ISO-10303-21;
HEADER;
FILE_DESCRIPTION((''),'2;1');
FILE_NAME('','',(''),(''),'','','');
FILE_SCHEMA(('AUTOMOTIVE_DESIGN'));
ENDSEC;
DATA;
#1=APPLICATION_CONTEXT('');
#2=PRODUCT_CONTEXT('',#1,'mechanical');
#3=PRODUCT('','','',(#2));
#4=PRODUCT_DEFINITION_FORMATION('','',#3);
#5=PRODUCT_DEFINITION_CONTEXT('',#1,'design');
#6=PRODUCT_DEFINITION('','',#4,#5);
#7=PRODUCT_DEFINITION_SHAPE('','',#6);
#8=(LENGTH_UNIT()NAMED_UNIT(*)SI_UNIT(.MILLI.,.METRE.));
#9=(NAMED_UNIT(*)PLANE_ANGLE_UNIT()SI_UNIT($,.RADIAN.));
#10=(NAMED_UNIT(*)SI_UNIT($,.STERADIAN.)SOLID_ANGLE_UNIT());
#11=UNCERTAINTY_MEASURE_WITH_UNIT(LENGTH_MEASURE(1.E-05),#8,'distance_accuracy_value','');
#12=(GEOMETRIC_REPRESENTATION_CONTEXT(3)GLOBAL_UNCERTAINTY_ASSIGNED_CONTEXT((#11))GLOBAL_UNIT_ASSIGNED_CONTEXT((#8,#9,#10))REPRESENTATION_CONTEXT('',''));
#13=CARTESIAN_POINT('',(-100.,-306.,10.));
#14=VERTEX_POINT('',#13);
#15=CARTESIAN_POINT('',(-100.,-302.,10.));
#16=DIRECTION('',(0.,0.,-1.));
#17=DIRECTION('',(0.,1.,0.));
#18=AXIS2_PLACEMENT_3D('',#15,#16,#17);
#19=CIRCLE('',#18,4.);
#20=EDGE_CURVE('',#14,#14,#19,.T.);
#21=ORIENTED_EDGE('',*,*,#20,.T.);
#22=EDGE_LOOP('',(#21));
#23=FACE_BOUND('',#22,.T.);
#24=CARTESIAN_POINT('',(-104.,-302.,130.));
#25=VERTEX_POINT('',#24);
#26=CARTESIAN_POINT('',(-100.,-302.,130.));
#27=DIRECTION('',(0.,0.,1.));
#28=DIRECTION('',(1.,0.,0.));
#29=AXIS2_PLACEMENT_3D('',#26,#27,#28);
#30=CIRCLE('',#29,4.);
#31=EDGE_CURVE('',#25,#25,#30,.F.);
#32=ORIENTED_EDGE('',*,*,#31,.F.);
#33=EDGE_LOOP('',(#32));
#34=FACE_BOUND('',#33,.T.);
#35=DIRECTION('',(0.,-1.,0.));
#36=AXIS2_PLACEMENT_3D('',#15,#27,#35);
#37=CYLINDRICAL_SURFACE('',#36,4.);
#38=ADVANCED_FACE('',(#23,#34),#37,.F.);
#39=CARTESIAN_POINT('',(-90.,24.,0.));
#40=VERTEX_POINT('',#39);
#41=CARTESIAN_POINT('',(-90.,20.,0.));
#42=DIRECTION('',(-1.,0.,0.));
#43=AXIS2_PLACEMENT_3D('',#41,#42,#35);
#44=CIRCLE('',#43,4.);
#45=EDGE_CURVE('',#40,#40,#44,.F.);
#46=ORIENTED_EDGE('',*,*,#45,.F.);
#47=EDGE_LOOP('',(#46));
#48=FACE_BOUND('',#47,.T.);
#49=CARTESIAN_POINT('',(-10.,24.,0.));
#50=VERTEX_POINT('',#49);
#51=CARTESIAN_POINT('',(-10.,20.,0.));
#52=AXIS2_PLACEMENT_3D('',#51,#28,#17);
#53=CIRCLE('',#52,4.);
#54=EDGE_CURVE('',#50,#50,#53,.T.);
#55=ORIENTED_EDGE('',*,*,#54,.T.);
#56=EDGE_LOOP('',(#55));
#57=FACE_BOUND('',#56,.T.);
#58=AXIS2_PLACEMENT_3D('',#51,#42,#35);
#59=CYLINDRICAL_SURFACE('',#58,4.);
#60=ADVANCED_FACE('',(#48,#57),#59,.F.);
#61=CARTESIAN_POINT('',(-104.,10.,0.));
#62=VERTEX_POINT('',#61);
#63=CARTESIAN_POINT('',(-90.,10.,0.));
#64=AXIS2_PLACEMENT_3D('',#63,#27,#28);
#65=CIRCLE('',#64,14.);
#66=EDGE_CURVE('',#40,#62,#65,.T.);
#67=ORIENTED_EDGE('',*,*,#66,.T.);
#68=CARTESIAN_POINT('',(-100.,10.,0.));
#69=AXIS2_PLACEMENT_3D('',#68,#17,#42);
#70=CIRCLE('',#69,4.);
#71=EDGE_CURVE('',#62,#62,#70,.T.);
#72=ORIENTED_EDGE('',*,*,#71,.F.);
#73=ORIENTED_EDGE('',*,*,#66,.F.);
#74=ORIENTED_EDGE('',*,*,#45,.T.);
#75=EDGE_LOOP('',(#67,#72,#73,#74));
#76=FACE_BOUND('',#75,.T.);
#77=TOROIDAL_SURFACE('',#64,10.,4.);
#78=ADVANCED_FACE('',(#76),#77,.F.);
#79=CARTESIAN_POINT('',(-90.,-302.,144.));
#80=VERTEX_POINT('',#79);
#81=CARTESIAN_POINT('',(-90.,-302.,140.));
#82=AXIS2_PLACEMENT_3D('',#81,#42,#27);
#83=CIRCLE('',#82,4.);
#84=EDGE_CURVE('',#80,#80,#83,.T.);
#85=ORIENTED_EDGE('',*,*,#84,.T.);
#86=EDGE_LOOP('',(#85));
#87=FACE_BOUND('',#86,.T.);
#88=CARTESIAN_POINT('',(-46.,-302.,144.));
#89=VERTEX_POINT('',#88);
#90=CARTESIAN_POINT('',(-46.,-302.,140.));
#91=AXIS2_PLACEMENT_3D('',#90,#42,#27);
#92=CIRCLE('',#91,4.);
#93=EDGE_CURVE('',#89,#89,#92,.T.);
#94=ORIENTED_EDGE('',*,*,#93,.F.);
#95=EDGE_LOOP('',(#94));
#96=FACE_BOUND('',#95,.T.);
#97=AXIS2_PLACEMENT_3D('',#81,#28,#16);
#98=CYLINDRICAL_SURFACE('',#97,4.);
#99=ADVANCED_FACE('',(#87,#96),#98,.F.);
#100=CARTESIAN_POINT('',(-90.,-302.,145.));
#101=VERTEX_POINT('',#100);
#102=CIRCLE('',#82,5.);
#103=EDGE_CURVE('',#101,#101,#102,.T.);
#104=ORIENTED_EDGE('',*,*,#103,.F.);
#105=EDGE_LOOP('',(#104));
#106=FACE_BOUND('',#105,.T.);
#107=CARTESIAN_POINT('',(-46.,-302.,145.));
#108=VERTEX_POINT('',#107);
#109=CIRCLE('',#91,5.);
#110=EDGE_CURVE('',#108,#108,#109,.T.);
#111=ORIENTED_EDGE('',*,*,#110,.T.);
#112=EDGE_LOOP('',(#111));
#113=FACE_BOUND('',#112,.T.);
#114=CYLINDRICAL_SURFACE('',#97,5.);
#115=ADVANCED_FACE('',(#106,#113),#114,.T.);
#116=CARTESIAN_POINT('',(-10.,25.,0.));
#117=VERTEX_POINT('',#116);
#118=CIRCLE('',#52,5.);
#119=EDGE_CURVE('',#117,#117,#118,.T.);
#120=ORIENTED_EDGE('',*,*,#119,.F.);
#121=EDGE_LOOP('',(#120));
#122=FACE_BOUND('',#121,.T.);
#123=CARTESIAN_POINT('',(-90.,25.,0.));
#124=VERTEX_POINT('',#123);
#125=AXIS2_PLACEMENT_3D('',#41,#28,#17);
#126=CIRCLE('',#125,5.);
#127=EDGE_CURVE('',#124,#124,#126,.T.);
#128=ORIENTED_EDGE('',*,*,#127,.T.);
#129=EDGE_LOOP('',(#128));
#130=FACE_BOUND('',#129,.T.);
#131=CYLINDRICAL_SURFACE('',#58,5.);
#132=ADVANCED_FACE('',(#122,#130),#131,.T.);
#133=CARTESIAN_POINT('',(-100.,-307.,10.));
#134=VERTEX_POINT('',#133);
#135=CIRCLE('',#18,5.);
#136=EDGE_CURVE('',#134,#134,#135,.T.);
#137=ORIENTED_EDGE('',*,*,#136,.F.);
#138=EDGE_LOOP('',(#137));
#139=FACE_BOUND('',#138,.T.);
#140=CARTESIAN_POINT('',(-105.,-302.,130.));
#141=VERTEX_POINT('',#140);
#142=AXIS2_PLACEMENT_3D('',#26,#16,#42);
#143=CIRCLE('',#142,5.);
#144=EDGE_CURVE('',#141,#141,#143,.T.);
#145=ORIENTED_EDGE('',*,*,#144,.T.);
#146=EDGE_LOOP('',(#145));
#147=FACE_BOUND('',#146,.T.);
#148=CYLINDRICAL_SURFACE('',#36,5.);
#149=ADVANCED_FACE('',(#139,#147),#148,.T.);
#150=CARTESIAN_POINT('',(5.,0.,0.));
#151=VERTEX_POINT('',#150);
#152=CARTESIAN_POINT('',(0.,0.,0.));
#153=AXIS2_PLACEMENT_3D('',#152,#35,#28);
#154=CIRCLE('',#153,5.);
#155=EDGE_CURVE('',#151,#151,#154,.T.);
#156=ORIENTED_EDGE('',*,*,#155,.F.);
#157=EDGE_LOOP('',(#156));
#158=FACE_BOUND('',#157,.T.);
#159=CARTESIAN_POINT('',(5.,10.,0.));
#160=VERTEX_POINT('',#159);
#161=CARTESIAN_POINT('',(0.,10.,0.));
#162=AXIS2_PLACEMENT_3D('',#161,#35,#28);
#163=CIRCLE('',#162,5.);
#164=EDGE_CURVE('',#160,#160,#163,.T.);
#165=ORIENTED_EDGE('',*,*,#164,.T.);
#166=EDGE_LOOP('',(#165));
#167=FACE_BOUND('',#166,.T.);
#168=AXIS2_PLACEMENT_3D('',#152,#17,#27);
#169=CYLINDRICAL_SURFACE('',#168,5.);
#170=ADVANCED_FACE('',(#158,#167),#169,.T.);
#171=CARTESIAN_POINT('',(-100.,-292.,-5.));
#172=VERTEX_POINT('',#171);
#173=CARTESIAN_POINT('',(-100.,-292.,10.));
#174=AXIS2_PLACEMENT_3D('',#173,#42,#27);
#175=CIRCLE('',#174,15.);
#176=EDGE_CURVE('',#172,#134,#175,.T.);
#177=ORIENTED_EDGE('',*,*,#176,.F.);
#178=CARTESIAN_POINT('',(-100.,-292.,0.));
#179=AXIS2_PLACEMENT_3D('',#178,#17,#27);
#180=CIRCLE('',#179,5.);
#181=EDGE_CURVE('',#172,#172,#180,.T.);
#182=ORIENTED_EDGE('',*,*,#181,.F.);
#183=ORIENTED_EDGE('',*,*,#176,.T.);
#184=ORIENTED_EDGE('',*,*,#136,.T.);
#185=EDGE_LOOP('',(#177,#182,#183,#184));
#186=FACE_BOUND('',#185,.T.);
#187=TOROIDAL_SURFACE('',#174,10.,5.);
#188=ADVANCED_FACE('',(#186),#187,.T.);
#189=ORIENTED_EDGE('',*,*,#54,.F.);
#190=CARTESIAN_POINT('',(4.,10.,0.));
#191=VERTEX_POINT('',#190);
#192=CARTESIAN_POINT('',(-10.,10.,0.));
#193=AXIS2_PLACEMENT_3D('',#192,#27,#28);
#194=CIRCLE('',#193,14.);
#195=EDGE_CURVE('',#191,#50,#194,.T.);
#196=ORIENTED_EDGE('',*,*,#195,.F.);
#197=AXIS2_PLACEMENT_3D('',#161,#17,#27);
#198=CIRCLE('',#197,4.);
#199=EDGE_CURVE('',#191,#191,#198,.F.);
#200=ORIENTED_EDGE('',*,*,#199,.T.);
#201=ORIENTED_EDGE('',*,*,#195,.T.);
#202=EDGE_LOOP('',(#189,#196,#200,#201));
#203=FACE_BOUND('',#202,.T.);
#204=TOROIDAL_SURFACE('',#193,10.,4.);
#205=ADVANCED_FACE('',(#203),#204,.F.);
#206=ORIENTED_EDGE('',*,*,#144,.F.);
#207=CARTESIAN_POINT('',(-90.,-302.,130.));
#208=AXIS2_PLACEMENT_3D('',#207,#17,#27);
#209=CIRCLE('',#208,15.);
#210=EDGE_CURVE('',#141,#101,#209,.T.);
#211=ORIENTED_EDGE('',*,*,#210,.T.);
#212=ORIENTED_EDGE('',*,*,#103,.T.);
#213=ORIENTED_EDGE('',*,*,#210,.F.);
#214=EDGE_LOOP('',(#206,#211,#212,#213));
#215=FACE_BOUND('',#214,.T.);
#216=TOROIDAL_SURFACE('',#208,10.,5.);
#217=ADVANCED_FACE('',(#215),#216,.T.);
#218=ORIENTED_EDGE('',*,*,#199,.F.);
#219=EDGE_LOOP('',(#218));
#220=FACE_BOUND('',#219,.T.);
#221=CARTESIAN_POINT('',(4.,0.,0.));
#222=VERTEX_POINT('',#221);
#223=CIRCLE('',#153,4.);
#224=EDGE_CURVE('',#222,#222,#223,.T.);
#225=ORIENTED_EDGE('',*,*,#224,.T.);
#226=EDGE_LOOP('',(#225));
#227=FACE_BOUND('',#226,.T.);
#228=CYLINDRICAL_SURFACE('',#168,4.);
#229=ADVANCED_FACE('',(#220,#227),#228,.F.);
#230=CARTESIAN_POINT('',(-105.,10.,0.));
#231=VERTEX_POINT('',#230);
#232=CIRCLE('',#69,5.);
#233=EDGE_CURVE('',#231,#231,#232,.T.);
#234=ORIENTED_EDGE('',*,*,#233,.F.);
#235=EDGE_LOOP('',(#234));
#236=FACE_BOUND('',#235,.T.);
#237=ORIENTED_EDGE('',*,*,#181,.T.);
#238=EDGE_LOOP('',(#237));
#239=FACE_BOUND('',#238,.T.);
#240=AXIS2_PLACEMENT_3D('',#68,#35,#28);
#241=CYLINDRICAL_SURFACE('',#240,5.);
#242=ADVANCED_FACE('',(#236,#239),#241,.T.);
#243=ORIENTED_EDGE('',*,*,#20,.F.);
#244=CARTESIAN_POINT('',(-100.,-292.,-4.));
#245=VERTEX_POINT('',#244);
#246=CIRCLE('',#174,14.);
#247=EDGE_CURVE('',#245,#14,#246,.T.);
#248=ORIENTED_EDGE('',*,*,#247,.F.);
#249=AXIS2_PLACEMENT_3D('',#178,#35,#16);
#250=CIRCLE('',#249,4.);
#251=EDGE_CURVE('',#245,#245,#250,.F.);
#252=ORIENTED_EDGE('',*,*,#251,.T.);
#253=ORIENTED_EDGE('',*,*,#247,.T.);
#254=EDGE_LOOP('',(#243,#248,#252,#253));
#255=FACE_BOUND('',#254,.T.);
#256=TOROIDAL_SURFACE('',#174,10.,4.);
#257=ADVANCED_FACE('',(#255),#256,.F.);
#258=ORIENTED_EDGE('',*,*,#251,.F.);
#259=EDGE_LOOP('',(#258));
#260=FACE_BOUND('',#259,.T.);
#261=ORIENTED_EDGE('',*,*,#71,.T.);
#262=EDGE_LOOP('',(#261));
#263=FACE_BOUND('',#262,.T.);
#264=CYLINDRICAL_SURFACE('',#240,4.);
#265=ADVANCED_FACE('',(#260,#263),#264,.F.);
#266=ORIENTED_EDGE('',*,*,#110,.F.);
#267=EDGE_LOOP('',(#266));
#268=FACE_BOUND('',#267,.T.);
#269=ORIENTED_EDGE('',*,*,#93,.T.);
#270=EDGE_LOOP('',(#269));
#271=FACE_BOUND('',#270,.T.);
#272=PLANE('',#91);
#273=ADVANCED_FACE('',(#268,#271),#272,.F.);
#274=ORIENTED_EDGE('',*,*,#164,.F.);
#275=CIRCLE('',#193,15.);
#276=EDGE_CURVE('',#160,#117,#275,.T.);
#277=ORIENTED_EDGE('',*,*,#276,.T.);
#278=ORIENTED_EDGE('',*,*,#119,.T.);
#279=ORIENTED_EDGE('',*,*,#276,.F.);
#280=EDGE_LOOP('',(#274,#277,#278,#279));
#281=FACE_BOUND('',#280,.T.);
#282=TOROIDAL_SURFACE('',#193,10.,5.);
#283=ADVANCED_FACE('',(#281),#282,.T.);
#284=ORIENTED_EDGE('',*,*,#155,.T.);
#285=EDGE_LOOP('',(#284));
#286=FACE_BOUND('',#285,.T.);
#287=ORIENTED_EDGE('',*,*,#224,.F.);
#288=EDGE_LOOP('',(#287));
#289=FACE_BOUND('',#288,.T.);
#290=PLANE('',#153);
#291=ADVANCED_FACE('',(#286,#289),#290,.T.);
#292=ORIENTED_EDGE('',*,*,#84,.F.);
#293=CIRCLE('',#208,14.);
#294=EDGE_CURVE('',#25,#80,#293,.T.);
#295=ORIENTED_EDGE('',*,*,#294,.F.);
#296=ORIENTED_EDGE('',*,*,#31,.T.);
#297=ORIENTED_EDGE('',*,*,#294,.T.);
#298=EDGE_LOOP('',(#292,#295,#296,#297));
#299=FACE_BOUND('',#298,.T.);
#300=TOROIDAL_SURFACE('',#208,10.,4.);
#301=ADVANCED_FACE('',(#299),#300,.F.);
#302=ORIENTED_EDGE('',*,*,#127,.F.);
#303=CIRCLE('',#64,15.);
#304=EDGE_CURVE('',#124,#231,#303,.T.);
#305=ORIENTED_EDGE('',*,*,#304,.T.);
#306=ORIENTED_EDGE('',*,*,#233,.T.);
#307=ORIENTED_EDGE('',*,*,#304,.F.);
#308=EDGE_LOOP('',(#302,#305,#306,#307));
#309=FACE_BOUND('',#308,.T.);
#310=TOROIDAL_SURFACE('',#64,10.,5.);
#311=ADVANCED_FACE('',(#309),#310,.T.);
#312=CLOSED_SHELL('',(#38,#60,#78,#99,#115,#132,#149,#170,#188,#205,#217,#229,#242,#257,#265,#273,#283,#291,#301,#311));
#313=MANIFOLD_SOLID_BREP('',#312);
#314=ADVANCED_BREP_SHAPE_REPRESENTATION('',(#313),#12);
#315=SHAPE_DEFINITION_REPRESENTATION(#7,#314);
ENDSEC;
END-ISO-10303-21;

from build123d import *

# Parameters (mm, degrees)
SWEEP_1_PROFILE_R   = 5
SWEEP_1_PROFILE_R_2 = 4
SWEEP_2_PROFILE_R   = 5
SWEEP_2_PROFILE_R_2 = 4
SWEEP_3_PROFILE_R   = 5
SWEEP_3_PROFILE_R_2 = 4


with BuildPart() as part:
    # 扫描-薄件1: sweep along a path in 草图1
    with BuildLine(Plane.XY) as sweep_1_path:
        Line((0, 0), (0, 10))
        ThreePointArc((0, 10), (-2.928932188, 17.071067812), (-10, 20))
        Line((-10, 20), (-90, 20))
        ThreePointArc((-90, 20), (-97.071067812, 17.071067812), (-100, 10))
        Line((-100, 10), (-100, -290))
    # 扫描-薄件1 profile (on start of the path) → 扫描-薄件1 (sweep)
    with BuildSketch(Plane.ZX):
        Circle(SWEEP_1_PROFILE_R)
        Circle(SWEEP_1_PROFILE_R_2, mode=Mode.SUBTRACT)
    sweep(path=sweep_1_path.line)

    # 扫描-薄件2: sweep along a path in 草图2
    with BuildLine(Plane(origin=(-100, 0, 0), x_dir=(0, 0, -1), z_dir=(1, 0, 0))) as sweep_2_path:
        Line((0, -290), (0, -292))
        ThreePointArc((0, -292), (-2.928932188, -299.071067812), (-10, -302))
        Line((-10, -302), (-125, -302))
    # 扫描-薄件2 profile (on start of the path) → 扫描-薄件2 (sweep)
    with BuildSketch(Plane(origin=(-100, -290, 0), x_dir=(0, 0, -1), z_dir=(0, -1, 0))):
        Circle(SWEEP_2_PROFILE_R)
        Circle(SWEEP_2_PROFILE_R_2, mode=Mode.SUBTRACT)
    sweep(path=sweep_2_path.line)

    # 扫描-薄件3: sweep along a path in 草图10
    with BuildLine(Plane(origin=(0, -302, 0), x_dir=(1, 0, 0), z_dir=(0, 1, 0))) as sweep_3_path:
        Line((-100, -125), (-100, -130))
        ThreePointArc((-100, -130), (-97.071067812, -137.071067812), (-90, -140))
        Line((-90, -140), (-46, -140))
    # 扫描-薄件3 profile (on start of the path) → 扫描-薄件3 (sweep)
    with BuildSketch(Plane(origin=(-100, -302, 125), x_dir=(1, 0, 0), z_dir=(0, 0, 1))):
        Circle(SWEEP_3_PROFILE_R)
        Circle(SWEEP_3_PROFILE_R_2, mode=Mode.SUBTRACT)
    sweep(path=sweep_3_path.line)


solid = part.part
